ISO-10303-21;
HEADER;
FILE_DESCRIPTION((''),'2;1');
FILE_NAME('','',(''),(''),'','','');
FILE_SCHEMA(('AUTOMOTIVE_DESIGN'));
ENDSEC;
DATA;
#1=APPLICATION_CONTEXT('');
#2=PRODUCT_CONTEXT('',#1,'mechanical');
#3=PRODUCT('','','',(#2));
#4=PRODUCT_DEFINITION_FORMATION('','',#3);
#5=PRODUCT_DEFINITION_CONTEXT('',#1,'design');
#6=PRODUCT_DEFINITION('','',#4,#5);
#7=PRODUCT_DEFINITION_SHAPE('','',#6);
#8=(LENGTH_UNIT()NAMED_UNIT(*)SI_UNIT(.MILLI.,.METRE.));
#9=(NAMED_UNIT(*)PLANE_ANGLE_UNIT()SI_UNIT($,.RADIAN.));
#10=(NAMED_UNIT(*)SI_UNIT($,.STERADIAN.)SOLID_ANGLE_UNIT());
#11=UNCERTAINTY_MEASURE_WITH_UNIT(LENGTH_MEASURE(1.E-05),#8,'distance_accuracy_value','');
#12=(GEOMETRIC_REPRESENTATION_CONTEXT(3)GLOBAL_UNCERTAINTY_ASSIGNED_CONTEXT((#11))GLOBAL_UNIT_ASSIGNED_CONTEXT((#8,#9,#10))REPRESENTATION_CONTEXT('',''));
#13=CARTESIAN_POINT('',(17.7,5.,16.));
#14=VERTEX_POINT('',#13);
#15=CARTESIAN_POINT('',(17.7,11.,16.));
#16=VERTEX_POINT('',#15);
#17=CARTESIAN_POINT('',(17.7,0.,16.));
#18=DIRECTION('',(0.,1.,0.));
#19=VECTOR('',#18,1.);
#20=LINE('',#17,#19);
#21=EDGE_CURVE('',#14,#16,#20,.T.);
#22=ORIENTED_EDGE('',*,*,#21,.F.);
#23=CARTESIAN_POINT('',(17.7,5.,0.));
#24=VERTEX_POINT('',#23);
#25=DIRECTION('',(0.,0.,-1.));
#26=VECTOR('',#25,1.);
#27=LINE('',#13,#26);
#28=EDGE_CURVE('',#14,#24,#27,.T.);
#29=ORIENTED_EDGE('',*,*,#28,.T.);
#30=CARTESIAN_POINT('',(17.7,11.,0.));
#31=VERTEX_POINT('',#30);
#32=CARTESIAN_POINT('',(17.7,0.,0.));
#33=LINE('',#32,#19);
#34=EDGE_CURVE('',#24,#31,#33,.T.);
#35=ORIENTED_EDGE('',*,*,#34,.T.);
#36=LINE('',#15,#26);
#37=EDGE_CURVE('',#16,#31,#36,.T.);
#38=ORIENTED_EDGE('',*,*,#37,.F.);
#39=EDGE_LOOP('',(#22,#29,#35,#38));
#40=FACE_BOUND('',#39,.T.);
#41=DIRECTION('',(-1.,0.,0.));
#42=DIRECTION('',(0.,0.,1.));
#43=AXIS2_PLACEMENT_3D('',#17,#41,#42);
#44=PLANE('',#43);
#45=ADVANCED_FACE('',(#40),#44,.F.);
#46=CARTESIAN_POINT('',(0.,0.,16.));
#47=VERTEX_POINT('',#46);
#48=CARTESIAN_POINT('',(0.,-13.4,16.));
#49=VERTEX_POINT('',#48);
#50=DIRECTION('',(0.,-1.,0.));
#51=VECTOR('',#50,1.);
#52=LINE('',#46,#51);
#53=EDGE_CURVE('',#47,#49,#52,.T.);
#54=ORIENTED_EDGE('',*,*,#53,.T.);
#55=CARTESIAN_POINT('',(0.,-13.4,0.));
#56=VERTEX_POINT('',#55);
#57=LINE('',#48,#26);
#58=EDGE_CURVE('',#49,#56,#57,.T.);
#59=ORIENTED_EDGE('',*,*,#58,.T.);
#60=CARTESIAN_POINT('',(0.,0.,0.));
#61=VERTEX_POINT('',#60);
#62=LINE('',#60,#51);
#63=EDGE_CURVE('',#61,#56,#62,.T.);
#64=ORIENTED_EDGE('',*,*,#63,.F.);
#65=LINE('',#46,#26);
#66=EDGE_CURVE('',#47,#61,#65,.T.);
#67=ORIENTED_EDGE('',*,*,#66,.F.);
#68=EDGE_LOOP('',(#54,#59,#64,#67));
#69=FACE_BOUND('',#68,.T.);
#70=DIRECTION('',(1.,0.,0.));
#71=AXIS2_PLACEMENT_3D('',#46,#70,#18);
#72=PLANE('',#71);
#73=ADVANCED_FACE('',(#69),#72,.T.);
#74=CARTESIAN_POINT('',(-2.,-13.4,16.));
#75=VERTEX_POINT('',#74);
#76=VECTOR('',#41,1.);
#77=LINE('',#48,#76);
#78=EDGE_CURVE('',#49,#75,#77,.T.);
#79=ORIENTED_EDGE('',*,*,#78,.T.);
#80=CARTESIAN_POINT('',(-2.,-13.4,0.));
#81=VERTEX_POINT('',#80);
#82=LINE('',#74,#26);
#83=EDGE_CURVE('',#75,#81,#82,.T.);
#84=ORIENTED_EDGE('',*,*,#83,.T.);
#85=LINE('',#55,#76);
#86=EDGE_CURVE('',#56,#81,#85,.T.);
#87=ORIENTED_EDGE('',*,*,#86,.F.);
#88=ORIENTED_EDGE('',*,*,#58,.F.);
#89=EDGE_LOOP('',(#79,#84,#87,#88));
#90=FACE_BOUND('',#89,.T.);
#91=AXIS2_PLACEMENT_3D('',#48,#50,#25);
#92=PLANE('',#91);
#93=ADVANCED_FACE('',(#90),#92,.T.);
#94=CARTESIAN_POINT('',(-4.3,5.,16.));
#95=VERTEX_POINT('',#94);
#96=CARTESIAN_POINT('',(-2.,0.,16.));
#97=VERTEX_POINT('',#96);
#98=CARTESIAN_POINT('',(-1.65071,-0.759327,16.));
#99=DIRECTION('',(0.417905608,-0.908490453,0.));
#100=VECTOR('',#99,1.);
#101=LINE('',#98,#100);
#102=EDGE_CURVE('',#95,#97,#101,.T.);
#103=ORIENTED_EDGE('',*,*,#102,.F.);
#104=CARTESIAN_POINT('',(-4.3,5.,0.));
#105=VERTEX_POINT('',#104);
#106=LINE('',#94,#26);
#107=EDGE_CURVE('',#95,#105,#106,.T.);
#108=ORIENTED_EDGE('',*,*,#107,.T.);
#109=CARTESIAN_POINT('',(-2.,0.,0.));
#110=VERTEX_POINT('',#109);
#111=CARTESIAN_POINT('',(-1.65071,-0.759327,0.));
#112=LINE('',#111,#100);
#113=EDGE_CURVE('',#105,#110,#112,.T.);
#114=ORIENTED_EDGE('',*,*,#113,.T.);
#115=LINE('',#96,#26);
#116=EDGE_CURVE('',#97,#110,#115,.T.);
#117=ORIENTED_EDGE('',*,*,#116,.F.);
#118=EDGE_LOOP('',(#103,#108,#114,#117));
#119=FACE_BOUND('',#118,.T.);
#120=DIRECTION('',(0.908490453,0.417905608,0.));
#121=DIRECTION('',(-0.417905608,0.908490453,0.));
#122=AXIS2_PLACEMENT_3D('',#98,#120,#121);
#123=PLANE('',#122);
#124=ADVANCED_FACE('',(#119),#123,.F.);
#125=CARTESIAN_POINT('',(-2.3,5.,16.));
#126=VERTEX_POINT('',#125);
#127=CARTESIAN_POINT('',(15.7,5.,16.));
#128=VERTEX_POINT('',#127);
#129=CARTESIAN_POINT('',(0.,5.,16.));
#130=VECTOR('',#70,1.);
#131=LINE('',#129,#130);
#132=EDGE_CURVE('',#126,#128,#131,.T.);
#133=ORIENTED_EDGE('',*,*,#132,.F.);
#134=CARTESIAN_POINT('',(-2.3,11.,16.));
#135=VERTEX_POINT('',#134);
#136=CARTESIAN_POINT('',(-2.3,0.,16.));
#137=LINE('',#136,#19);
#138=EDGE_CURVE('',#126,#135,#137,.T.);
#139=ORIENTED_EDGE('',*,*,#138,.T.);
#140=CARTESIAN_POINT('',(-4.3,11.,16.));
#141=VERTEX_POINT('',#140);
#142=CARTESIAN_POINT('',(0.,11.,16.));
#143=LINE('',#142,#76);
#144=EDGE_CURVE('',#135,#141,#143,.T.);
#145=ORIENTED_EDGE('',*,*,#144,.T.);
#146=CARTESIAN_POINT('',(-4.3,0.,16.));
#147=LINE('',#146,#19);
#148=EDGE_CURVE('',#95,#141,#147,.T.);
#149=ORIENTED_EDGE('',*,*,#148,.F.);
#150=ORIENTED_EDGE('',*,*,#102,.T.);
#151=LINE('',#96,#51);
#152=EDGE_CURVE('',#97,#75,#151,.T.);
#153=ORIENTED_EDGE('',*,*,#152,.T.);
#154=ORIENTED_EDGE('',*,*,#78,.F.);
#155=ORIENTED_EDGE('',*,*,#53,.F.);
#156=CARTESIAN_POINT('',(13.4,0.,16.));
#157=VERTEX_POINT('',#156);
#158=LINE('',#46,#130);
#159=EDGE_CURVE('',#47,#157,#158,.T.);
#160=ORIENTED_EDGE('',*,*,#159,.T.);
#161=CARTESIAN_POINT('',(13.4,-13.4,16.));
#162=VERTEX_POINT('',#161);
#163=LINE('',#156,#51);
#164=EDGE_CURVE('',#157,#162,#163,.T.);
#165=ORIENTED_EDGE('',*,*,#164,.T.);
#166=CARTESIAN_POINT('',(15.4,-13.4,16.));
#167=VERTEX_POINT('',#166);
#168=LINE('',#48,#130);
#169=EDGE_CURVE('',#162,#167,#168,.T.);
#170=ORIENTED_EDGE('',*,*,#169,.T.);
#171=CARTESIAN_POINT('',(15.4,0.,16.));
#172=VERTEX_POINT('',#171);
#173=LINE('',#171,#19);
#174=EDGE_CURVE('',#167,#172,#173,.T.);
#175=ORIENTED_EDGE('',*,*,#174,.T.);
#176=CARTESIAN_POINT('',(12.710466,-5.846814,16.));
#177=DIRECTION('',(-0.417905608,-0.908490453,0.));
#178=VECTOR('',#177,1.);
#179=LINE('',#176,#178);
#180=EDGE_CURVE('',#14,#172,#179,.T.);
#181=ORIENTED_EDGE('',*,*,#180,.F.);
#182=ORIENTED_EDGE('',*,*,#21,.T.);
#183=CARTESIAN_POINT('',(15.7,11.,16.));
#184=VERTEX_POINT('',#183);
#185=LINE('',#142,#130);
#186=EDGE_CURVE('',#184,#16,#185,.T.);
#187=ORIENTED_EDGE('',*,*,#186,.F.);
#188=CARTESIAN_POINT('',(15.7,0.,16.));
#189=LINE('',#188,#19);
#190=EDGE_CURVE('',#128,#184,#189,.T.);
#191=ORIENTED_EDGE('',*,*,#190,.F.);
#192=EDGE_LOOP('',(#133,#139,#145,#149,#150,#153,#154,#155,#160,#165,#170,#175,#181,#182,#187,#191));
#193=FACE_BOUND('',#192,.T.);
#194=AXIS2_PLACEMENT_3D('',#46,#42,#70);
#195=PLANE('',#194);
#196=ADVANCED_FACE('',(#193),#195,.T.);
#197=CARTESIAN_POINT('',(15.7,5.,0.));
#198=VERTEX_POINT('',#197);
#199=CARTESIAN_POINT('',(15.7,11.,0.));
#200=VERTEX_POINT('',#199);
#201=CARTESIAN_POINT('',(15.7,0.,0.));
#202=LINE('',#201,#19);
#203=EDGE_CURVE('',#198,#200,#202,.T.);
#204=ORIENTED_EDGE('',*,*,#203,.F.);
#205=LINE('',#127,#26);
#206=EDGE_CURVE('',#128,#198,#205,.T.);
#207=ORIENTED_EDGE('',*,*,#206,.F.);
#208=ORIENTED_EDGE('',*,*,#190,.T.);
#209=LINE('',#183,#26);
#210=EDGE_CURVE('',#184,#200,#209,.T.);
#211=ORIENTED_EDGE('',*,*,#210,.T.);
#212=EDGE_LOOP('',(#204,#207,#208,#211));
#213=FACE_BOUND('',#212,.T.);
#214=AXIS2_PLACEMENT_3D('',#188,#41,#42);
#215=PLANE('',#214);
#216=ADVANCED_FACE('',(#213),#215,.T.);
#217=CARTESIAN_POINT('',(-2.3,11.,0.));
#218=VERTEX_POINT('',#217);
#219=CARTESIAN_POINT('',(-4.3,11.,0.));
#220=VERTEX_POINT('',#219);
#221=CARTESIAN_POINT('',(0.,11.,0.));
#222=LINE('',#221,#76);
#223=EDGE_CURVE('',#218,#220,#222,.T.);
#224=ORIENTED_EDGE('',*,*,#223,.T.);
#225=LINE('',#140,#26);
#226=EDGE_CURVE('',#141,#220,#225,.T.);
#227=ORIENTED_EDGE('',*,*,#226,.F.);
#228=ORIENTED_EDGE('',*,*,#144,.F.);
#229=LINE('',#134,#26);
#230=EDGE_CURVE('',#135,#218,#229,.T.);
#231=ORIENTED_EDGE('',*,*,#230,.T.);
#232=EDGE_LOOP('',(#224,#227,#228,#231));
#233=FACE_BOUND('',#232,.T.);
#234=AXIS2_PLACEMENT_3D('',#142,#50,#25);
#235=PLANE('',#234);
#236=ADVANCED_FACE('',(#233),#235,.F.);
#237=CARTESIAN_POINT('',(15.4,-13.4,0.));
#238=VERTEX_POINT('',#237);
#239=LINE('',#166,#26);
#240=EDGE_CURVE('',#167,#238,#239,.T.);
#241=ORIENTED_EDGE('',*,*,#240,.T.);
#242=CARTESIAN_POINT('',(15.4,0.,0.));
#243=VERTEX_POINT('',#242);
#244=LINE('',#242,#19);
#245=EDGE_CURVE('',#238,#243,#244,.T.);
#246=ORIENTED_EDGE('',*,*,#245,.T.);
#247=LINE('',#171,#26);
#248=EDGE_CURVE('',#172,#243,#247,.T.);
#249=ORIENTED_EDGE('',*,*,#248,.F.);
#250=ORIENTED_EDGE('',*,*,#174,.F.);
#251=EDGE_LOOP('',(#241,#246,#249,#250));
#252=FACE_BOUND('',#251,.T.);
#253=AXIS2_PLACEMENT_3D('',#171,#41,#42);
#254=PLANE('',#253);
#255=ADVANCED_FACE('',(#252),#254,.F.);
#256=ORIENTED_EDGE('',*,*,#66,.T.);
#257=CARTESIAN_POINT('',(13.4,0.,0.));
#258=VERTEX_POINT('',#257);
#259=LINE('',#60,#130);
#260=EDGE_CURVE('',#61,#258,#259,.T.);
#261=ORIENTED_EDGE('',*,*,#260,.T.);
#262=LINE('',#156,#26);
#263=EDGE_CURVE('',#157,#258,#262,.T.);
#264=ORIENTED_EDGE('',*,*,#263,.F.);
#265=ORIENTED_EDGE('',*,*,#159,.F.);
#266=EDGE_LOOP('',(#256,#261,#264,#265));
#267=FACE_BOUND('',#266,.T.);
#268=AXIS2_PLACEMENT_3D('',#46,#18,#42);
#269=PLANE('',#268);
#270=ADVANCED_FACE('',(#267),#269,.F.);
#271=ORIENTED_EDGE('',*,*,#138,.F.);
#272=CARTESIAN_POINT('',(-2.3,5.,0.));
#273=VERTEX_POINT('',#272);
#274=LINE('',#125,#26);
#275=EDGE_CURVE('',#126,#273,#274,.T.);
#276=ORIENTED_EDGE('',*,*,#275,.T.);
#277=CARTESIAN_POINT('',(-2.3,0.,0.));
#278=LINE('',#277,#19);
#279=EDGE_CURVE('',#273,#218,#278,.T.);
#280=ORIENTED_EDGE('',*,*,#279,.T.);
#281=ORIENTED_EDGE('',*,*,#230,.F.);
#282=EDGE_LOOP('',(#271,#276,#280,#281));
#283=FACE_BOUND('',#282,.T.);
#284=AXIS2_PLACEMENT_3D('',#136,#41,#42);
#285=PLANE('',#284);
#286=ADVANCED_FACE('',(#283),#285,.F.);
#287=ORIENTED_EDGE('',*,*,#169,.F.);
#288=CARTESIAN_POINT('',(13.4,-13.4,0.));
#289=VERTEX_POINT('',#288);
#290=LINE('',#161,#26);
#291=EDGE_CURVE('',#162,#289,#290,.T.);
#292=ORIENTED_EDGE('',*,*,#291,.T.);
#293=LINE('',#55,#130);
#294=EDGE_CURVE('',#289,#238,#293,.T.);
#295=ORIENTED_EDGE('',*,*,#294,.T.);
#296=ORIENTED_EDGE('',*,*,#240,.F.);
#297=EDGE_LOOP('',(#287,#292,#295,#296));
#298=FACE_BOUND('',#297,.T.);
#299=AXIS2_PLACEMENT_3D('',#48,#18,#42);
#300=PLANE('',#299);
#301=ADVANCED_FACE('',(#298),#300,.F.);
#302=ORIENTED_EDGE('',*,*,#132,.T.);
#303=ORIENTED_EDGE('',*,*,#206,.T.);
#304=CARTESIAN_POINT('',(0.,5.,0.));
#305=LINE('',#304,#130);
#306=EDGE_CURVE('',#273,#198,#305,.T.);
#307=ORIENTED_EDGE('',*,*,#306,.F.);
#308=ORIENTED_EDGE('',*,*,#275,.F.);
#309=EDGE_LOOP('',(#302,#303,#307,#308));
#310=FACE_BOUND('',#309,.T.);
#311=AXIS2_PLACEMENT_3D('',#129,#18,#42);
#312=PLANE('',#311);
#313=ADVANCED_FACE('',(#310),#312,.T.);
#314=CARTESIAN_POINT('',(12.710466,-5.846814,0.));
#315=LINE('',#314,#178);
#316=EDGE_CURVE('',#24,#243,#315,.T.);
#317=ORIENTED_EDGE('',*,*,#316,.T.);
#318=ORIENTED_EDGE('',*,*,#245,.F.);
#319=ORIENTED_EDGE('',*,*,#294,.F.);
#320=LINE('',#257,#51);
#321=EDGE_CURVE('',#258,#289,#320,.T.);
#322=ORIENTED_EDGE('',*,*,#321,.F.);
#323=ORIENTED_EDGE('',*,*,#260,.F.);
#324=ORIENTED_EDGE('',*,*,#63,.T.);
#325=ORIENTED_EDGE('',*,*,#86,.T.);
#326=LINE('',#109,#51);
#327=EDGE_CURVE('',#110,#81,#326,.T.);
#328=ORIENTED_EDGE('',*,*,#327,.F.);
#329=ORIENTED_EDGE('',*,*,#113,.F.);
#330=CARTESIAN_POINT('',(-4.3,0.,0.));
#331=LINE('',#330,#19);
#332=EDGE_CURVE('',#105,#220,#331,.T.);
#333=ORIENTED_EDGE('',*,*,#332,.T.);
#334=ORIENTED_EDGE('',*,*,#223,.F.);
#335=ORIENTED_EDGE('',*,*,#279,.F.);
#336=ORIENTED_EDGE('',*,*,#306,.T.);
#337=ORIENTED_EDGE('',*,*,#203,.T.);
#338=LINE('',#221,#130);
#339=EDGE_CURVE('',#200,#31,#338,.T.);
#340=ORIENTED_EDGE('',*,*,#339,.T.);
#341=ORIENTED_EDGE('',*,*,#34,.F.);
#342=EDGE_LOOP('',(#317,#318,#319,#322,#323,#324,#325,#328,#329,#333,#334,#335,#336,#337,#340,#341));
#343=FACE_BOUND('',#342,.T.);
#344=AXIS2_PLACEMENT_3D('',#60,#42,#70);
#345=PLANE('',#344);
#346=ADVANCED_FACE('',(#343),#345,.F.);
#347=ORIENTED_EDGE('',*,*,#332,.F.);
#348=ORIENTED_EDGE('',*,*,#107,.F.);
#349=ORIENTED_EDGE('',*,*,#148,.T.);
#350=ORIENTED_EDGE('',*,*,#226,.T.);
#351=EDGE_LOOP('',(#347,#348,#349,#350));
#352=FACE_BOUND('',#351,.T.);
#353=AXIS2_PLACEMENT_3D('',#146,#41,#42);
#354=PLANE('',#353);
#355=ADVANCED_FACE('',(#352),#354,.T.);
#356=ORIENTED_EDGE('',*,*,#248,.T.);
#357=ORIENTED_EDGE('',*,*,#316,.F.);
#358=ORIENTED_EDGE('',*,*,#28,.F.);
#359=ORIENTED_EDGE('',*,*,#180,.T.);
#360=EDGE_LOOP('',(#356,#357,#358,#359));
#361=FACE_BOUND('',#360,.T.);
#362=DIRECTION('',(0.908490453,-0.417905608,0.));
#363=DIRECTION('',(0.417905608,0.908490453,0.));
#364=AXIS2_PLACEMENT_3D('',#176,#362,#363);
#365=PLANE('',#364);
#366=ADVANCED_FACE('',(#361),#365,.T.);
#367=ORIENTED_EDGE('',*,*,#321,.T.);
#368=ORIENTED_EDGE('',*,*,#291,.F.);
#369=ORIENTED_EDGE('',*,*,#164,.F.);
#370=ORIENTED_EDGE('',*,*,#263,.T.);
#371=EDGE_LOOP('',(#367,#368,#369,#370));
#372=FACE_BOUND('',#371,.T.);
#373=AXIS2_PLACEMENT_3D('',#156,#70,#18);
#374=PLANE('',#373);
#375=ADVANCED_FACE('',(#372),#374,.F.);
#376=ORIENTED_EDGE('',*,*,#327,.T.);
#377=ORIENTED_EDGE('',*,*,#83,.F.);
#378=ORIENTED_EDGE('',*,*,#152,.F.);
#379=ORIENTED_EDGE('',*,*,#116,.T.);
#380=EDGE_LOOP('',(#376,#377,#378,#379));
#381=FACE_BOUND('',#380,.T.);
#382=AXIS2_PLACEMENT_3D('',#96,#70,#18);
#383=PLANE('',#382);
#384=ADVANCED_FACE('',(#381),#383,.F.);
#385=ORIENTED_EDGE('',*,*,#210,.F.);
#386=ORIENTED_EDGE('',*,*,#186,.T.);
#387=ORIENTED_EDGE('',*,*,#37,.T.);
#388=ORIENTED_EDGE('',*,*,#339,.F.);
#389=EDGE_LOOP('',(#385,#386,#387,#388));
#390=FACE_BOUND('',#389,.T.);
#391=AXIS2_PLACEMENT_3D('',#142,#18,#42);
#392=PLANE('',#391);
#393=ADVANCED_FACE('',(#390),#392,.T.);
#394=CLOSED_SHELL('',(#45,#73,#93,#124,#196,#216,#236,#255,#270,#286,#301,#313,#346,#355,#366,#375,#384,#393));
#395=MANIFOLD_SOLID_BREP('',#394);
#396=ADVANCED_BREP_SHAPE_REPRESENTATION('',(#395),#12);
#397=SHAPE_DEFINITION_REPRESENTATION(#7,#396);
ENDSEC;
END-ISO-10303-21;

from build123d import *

# Parameters (mm, degrees)
CROQUIS1_W              = 2
CROQUIS1_H              = 13.4
CROQUIS1_H_2            = 6
SALIENTE_EXTRUIR1_DEPTH = 16


with BuildPart() as part:
    # Croquis1 → Saliente-Extruir1 (new body)
    with BuildSketch(Plane.XY):
        with Locations((-1, -6.7)):
            Rectangle(CROQUIS1_W, CROQUIS1_H)
        Polygon((15.4, 5), (6.7, 5), (-2, 5), (-2, 0), (0, 0), (13.4, 0), (15.4, 0), align=None)
        with Locations((14.4, -6.7)):
            Rectangle(CROQUIS1_W, CROQUIS1_H)
        Polygon((15.7, 5), (15.4, 5), (15.4, 0), (17.7, 5), align=None)
        with Locations((16.7, 8)):
            Rectangle(CROQUIS1_W, CROQUIS1_H_2)
        Polygon((-2, 0), (-2, 5), (-2.3, 5), (-4.3, 5), align=None)
        with Locations((-3.3, 8)):
            Rectangle(CROQUIS1_W, CROQUIS1_H_2)
    extrude(amount=SALIENTE_EXTRUIR1_DEPTH)


solid = part.part
